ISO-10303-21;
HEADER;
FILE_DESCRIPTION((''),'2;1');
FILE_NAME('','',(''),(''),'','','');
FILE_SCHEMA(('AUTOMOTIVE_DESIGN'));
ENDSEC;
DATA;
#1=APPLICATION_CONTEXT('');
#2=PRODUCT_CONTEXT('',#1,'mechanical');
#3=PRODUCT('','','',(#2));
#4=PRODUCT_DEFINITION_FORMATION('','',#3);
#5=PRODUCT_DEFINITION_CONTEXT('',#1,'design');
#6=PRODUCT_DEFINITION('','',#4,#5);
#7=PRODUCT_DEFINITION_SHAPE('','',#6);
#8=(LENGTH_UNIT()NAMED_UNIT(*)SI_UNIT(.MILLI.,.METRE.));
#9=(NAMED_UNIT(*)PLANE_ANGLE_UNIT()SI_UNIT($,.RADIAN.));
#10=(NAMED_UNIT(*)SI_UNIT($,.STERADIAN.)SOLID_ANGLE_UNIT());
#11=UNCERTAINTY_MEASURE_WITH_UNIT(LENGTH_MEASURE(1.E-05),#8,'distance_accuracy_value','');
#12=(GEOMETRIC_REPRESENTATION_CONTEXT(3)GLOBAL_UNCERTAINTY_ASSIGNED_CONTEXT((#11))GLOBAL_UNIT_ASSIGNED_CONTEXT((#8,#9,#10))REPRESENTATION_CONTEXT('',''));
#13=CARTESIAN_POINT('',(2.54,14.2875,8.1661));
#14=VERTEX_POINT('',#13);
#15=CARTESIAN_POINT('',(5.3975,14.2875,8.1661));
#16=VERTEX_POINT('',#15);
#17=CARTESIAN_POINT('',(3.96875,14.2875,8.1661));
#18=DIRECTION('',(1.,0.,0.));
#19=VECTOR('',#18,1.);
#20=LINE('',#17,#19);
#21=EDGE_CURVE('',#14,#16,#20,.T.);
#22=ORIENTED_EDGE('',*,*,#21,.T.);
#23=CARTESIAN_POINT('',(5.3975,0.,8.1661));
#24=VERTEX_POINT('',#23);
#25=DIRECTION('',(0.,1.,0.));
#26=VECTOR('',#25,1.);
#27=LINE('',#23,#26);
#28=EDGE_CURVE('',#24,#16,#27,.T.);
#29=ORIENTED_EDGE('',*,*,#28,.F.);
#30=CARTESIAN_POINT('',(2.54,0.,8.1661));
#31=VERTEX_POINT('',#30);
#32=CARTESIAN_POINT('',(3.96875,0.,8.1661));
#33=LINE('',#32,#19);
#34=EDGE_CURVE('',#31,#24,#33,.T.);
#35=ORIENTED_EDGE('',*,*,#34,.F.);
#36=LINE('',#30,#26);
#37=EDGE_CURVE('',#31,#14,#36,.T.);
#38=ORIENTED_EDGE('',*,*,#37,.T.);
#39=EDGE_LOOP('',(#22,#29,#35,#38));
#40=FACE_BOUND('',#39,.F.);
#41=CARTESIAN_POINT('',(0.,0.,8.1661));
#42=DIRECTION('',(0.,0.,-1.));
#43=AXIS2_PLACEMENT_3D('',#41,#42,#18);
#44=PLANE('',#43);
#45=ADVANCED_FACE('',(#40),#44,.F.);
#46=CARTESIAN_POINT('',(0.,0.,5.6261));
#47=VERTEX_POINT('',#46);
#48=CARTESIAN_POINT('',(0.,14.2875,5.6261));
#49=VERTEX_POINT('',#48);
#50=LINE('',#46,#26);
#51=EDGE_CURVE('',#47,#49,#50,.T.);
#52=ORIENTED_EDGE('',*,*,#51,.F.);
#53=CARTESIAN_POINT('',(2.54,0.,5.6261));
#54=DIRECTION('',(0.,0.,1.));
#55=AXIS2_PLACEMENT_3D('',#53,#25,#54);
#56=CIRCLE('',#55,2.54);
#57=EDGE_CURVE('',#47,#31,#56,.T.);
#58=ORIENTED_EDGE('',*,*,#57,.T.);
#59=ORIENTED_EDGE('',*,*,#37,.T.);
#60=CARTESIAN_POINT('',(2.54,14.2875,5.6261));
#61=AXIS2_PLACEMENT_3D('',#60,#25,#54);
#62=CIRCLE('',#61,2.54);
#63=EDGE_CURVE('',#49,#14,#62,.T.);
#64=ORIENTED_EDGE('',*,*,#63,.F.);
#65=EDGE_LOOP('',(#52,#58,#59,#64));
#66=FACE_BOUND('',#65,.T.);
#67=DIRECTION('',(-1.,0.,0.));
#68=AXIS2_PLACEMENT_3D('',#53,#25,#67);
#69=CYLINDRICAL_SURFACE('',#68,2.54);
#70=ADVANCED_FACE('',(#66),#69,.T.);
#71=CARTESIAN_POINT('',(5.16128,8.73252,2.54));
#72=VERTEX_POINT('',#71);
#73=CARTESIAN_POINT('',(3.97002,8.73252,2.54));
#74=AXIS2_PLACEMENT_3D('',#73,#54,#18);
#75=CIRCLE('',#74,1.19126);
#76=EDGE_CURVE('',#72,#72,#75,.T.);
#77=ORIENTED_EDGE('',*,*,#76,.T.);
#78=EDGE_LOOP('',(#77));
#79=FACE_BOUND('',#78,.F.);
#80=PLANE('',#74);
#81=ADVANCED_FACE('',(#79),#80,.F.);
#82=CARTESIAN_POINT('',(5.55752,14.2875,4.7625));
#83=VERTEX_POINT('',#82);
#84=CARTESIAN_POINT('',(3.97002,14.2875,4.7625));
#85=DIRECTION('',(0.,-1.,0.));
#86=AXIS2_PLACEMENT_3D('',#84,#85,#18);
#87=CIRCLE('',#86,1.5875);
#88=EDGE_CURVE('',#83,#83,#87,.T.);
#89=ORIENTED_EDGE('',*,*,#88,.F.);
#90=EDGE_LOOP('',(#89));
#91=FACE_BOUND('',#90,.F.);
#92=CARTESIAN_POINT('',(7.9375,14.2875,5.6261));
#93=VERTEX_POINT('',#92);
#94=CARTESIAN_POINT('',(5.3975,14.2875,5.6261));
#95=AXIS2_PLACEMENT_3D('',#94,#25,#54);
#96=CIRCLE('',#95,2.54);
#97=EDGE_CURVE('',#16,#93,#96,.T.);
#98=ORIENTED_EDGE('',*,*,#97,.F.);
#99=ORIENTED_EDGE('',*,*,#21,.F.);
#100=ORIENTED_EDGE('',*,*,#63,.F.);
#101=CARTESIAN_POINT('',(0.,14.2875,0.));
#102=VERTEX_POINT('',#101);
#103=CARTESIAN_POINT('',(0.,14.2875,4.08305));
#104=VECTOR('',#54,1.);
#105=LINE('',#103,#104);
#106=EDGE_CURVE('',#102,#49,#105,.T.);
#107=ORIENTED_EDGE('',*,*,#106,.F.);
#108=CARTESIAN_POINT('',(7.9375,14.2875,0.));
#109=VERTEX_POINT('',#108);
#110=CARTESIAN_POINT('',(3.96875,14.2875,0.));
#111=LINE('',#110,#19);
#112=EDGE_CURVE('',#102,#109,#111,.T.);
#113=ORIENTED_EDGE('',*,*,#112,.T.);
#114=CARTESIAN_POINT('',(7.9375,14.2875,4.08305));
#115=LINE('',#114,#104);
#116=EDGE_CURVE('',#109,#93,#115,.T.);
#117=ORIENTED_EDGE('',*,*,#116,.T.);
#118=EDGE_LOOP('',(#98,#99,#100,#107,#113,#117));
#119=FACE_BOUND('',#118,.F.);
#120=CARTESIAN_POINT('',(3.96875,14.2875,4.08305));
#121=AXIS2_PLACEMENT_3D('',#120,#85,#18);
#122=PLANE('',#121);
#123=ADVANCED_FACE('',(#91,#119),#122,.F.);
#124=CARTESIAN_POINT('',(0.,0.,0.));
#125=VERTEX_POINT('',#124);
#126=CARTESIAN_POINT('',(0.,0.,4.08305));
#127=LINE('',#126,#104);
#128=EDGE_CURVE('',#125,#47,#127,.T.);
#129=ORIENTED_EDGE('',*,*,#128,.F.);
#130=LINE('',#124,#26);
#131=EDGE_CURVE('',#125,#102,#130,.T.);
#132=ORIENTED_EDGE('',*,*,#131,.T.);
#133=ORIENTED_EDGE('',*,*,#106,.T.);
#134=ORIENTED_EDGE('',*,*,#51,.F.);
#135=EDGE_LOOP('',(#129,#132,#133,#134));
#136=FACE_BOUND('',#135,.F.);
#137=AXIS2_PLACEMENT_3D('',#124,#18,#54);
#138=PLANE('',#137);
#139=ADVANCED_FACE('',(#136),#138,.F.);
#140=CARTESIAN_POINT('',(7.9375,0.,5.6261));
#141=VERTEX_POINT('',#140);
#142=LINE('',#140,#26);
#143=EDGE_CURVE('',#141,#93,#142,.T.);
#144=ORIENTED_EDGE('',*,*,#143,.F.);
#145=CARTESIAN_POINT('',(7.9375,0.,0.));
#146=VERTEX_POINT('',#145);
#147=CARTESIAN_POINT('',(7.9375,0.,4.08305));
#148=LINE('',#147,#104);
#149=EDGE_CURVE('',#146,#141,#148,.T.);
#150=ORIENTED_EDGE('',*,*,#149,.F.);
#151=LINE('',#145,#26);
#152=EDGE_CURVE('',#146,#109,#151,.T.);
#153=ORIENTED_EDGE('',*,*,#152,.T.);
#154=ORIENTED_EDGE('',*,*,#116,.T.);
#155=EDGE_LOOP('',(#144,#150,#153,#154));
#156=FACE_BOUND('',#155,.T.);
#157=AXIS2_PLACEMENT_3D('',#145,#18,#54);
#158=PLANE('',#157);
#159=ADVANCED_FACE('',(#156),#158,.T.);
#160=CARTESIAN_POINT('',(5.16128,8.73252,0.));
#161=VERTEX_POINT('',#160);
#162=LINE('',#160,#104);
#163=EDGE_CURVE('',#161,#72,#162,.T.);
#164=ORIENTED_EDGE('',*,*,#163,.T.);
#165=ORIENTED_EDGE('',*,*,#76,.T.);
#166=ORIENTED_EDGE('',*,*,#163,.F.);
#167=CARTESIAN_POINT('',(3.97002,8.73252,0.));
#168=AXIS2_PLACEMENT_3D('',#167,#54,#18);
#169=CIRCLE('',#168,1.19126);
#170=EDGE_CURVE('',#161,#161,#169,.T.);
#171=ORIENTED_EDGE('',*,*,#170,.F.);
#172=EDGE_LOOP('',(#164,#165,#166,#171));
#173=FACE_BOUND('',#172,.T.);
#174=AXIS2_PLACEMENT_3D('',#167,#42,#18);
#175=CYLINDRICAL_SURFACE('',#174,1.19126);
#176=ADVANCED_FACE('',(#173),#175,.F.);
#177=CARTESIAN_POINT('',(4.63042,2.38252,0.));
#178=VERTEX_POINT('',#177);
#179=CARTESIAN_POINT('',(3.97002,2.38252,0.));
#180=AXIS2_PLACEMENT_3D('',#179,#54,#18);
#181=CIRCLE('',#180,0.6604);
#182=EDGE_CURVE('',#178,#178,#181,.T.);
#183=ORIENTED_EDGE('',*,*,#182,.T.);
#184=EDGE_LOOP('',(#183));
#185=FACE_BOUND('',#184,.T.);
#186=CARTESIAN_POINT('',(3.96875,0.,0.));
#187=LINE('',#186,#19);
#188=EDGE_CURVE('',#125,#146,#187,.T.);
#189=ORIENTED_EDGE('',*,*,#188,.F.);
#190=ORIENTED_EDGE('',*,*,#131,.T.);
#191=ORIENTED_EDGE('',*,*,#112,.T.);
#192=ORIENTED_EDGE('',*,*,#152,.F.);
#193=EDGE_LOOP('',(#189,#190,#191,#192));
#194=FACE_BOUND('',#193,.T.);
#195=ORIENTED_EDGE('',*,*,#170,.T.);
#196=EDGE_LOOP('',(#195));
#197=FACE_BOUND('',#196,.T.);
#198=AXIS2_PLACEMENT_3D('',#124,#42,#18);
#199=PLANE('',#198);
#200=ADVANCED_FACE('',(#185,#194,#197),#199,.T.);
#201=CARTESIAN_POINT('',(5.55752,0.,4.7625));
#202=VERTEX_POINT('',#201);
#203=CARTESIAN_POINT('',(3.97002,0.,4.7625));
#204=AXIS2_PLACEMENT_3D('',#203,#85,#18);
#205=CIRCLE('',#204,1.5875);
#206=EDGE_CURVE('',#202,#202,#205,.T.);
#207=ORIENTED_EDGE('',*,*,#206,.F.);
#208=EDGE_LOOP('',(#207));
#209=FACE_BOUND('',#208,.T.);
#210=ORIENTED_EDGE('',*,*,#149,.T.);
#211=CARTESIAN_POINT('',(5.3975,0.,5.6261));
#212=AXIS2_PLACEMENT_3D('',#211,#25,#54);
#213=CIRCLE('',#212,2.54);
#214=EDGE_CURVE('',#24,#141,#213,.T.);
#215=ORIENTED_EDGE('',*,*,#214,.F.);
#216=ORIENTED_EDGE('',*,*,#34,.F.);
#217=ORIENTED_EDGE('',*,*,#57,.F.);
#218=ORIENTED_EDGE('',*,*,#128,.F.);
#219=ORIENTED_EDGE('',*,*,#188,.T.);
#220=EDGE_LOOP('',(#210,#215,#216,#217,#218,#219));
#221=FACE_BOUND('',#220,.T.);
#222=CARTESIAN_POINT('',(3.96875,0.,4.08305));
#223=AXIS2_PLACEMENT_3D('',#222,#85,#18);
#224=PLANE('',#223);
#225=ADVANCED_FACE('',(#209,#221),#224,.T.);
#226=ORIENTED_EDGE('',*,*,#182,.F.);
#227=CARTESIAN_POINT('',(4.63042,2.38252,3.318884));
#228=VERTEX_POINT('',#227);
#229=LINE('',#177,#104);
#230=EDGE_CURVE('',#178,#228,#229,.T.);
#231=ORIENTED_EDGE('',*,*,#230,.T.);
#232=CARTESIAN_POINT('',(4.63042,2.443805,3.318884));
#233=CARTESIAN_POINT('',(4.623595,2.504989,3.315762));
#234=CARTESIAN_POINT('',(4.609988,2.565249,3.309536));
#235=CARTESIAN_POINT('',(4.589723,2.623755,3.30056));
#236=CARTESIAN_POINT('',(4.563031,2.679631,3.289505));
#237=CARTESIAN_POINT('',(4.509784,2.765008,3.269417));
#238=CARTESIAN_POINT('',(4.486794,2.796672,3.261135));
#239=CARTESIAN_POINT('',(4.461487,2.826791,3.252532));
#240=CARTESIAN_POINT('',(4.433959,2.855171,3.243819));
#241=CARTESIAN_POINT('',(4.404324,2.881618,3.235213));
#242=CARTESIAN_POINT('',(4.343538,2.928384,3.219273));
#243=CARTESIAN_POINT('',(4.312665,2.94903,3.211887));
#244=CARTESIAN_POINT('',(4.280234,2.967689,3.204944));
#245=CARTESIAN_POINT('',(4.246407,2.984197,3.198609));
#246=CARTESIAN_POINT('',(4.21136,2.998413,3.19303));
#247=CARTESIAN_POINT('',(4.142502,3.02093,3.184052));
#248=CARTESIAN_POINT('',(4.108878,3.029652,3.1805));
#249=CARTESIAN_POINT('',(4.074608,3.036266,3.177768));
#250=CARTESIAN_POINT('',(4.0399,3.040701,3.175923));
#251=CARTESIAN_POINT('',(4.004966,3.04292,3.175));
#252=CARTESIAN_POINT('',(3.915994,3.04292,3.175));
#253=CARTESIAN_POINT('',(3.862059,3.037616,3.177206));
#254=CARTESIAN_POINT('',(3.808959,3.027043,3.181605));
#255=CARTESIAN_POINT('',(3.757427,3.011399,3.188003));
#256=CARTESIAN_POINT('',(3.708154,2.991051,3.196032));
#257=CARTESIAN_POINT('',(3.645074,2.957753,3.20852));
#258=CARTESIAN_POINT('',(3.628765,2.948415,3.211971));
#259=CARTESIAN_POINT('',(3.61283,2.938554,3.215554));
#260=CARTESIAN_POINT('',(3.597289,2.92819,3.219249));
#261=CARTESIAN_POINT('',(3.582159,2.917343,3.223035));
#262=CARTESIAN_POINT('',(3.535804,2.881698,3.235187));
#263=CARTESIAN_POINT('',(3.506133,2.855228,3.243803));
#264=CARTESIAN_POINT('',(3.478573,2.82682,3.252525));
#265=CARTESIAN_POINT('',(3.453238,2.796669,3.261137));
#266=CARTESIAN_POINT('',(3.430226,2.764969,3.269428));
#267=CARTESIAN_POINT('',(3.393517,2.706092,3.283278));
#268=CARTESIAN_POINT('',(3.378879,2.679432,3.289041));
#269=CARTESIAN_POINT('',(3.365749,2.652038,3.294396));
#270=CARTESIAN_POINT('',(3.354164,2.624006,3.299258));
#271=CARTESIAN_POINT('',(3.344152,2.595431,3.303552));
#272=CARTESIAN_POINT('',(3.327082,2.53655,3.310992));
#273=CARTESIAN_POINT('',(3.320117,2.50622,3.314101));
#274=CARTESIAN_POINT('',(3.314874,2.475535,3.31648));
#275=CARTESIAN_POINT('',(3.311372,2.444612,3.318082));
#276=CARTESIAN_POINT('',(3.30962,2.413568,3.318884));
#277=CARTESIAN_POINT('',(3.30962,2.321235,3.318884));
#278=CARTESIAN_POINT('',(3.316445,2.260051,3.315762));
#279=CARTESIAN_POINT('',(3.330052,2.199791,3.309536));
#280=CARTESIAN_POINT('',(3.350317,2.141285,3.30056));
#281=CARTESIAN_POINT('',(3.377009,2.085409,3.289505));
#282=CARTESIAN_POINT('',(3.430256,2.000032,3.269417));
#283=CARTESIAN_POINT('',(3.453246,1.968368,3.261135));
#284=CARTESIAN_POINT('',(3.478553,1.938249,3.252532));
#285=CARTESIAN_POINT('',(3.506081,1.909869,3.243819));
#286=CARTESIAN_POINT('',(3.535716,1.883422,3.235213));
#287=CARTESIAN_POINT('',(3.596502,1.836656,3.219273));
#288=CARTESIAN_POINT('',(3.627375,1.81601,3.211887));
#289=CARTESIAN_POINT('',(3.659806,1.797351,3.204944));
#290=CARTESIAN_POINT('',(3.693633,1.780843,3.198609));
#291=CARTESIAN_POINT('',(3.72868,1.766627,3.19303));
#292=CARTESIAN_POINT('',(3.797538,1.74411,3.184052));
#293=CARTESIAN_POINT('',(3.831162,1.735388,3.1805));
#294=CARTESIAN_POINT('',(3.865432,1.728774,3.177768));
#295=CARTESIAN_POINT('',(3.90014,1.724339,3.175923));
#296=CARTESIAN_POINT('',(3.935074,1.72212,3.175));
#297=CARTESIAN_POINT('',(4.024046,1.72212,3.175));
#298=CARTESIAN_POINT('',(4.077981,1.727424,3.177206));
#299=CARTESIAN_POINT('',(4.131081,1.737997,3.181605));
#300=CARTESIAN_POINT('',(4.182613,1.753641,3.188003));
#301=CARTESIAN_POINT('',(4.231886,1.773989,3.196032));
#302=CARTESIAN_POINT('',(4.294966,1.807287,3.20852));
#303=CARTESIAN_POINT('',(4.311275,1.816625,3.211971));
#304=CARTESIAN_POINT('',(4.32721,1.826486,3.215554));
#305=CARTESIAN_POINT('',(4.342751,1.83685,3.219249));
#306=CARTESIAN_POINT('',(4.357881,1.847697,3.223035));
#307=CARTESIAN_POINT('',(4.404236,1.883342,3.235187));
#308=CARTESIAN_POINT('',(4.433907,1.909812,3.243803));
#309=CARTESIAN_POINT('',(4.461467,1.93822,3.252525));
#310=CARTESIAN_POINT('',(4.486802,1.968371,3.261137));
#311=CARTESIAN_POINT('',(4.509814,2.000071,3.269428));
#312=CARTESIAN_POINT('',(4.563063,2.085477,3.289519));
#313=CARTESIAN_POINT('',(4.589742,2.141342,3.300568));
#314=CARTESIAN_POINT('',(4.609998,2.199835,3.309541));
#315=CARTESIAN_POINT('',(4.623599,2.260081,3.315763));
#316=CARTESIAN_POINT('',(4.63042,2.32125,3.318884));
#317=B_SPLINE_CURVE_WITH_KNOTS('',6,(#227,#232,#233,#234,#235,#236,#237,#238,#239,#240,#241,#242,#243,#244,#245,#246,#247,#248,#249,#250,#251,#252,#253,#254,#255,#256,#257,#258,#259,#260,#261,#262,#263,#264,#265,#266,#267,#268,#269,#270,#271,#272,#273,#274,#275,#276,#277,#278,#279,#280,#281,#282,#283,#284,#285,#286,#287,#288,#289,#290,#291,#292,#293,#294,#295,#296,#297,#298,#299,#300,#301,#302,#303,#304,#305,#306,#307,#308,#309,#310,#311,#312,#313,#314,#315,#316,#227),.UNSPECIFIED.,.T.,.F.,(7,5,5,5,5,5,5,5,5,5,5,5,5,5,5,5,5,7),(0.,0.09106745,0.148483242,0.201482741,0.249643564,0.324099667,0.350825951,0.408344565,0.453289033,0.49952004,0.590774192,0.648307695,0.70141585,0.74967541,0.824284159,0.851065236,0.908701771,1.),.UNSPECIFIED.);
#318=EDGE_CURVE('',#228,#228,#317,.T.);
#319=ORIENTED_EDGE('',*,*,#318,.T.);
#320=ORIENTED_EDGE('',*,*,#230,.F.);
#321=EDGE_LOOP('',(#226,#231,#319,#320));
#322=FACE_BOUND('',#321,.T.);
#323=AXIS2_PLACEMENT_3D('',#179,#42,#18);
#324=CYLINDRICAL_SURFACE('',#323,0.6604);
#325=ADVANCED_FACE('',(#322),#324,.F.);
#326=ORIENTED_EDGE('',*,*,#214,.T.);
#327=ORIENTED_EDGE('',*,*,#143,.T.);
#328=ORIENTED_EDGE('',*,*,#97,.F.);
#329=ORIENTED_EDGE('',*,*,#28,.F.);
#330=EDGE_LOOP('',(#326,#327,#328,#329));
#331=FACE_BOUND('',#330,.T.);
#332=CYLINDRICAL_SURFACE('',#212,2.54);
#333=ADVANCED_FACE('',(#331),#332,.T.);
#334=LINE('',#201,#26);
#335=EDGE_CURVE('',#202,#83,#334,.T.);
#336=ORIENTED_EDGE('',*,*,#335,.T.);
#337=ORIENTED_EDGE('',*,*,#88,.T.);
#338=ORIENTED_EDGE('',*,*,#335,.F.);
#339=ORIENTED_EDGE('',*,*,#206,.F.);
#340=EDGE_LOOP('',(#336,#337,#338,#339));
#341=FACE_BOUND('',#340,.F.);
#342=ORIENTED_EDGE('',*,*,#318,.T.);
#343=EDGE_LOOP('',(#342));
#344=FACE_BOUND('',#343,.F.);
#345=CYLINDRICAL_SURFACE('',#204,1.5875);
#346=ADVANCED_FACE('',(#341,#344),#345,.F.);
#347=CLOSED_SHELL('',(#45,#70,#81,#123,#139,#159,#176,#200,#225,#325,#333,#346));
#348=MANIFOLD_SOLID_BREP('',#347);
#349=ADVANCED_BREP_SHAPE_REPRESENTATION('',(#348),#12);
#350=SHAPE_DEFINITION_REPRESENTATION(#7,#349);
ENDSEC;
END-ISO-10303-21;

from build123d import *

# Parameters (mm, degrees)
F0_W     = 7.9375
F0_H     = 8.1661
F0_R     = 1.5875
F1_DEPTH = 14.2875
F2_R     = 2.54
F3_R     = 1.19126
F4_DEPTH = 2.54
F3_R_2   = 0.6604
F5_DEPTH = 3.81


with BuildPart() as f1:
    # F0 (on Front) → F1 (new body)
    with BuildSketch(Plane.XZ):
        with Locations((3.96875, 4.08305)):
            Rectangle(F0_W, F0_H)
        with Locations((3.97002, 4.7625)):
            Circle(F0_R, mode=Mode.SUBTRACT)
    extrude(amount=-F1_DEPTH)

    # F2
    f2_edges = [f1.edges().sort_by_distance(p)[0] for p in [
        (0, 7.14375, 8.1661),
        (7.9375, 7.14375, 8.1661),
    ]]
    fillet(f2_edges, radius=F2_R)

    # F3 (on Top) → F4 (cut)
    with BuildSketch(Plane.XY):
        with Locations((3.97002, 8.73252)):
            Circle(F3_R)
    extrude(amount=F4_DEPTH, mode=Mode.SUBTRACT)

    # F3 (on Top) → F5 (cut)
    with BuildSketch(Plane.XY):
        with Locations((3.97002, 2.38252)):
            Circle(F3_R_2)
    extrude(amount=F5_DEPTH, mode=Mode.SUBTRACT)


solid = f1.part
